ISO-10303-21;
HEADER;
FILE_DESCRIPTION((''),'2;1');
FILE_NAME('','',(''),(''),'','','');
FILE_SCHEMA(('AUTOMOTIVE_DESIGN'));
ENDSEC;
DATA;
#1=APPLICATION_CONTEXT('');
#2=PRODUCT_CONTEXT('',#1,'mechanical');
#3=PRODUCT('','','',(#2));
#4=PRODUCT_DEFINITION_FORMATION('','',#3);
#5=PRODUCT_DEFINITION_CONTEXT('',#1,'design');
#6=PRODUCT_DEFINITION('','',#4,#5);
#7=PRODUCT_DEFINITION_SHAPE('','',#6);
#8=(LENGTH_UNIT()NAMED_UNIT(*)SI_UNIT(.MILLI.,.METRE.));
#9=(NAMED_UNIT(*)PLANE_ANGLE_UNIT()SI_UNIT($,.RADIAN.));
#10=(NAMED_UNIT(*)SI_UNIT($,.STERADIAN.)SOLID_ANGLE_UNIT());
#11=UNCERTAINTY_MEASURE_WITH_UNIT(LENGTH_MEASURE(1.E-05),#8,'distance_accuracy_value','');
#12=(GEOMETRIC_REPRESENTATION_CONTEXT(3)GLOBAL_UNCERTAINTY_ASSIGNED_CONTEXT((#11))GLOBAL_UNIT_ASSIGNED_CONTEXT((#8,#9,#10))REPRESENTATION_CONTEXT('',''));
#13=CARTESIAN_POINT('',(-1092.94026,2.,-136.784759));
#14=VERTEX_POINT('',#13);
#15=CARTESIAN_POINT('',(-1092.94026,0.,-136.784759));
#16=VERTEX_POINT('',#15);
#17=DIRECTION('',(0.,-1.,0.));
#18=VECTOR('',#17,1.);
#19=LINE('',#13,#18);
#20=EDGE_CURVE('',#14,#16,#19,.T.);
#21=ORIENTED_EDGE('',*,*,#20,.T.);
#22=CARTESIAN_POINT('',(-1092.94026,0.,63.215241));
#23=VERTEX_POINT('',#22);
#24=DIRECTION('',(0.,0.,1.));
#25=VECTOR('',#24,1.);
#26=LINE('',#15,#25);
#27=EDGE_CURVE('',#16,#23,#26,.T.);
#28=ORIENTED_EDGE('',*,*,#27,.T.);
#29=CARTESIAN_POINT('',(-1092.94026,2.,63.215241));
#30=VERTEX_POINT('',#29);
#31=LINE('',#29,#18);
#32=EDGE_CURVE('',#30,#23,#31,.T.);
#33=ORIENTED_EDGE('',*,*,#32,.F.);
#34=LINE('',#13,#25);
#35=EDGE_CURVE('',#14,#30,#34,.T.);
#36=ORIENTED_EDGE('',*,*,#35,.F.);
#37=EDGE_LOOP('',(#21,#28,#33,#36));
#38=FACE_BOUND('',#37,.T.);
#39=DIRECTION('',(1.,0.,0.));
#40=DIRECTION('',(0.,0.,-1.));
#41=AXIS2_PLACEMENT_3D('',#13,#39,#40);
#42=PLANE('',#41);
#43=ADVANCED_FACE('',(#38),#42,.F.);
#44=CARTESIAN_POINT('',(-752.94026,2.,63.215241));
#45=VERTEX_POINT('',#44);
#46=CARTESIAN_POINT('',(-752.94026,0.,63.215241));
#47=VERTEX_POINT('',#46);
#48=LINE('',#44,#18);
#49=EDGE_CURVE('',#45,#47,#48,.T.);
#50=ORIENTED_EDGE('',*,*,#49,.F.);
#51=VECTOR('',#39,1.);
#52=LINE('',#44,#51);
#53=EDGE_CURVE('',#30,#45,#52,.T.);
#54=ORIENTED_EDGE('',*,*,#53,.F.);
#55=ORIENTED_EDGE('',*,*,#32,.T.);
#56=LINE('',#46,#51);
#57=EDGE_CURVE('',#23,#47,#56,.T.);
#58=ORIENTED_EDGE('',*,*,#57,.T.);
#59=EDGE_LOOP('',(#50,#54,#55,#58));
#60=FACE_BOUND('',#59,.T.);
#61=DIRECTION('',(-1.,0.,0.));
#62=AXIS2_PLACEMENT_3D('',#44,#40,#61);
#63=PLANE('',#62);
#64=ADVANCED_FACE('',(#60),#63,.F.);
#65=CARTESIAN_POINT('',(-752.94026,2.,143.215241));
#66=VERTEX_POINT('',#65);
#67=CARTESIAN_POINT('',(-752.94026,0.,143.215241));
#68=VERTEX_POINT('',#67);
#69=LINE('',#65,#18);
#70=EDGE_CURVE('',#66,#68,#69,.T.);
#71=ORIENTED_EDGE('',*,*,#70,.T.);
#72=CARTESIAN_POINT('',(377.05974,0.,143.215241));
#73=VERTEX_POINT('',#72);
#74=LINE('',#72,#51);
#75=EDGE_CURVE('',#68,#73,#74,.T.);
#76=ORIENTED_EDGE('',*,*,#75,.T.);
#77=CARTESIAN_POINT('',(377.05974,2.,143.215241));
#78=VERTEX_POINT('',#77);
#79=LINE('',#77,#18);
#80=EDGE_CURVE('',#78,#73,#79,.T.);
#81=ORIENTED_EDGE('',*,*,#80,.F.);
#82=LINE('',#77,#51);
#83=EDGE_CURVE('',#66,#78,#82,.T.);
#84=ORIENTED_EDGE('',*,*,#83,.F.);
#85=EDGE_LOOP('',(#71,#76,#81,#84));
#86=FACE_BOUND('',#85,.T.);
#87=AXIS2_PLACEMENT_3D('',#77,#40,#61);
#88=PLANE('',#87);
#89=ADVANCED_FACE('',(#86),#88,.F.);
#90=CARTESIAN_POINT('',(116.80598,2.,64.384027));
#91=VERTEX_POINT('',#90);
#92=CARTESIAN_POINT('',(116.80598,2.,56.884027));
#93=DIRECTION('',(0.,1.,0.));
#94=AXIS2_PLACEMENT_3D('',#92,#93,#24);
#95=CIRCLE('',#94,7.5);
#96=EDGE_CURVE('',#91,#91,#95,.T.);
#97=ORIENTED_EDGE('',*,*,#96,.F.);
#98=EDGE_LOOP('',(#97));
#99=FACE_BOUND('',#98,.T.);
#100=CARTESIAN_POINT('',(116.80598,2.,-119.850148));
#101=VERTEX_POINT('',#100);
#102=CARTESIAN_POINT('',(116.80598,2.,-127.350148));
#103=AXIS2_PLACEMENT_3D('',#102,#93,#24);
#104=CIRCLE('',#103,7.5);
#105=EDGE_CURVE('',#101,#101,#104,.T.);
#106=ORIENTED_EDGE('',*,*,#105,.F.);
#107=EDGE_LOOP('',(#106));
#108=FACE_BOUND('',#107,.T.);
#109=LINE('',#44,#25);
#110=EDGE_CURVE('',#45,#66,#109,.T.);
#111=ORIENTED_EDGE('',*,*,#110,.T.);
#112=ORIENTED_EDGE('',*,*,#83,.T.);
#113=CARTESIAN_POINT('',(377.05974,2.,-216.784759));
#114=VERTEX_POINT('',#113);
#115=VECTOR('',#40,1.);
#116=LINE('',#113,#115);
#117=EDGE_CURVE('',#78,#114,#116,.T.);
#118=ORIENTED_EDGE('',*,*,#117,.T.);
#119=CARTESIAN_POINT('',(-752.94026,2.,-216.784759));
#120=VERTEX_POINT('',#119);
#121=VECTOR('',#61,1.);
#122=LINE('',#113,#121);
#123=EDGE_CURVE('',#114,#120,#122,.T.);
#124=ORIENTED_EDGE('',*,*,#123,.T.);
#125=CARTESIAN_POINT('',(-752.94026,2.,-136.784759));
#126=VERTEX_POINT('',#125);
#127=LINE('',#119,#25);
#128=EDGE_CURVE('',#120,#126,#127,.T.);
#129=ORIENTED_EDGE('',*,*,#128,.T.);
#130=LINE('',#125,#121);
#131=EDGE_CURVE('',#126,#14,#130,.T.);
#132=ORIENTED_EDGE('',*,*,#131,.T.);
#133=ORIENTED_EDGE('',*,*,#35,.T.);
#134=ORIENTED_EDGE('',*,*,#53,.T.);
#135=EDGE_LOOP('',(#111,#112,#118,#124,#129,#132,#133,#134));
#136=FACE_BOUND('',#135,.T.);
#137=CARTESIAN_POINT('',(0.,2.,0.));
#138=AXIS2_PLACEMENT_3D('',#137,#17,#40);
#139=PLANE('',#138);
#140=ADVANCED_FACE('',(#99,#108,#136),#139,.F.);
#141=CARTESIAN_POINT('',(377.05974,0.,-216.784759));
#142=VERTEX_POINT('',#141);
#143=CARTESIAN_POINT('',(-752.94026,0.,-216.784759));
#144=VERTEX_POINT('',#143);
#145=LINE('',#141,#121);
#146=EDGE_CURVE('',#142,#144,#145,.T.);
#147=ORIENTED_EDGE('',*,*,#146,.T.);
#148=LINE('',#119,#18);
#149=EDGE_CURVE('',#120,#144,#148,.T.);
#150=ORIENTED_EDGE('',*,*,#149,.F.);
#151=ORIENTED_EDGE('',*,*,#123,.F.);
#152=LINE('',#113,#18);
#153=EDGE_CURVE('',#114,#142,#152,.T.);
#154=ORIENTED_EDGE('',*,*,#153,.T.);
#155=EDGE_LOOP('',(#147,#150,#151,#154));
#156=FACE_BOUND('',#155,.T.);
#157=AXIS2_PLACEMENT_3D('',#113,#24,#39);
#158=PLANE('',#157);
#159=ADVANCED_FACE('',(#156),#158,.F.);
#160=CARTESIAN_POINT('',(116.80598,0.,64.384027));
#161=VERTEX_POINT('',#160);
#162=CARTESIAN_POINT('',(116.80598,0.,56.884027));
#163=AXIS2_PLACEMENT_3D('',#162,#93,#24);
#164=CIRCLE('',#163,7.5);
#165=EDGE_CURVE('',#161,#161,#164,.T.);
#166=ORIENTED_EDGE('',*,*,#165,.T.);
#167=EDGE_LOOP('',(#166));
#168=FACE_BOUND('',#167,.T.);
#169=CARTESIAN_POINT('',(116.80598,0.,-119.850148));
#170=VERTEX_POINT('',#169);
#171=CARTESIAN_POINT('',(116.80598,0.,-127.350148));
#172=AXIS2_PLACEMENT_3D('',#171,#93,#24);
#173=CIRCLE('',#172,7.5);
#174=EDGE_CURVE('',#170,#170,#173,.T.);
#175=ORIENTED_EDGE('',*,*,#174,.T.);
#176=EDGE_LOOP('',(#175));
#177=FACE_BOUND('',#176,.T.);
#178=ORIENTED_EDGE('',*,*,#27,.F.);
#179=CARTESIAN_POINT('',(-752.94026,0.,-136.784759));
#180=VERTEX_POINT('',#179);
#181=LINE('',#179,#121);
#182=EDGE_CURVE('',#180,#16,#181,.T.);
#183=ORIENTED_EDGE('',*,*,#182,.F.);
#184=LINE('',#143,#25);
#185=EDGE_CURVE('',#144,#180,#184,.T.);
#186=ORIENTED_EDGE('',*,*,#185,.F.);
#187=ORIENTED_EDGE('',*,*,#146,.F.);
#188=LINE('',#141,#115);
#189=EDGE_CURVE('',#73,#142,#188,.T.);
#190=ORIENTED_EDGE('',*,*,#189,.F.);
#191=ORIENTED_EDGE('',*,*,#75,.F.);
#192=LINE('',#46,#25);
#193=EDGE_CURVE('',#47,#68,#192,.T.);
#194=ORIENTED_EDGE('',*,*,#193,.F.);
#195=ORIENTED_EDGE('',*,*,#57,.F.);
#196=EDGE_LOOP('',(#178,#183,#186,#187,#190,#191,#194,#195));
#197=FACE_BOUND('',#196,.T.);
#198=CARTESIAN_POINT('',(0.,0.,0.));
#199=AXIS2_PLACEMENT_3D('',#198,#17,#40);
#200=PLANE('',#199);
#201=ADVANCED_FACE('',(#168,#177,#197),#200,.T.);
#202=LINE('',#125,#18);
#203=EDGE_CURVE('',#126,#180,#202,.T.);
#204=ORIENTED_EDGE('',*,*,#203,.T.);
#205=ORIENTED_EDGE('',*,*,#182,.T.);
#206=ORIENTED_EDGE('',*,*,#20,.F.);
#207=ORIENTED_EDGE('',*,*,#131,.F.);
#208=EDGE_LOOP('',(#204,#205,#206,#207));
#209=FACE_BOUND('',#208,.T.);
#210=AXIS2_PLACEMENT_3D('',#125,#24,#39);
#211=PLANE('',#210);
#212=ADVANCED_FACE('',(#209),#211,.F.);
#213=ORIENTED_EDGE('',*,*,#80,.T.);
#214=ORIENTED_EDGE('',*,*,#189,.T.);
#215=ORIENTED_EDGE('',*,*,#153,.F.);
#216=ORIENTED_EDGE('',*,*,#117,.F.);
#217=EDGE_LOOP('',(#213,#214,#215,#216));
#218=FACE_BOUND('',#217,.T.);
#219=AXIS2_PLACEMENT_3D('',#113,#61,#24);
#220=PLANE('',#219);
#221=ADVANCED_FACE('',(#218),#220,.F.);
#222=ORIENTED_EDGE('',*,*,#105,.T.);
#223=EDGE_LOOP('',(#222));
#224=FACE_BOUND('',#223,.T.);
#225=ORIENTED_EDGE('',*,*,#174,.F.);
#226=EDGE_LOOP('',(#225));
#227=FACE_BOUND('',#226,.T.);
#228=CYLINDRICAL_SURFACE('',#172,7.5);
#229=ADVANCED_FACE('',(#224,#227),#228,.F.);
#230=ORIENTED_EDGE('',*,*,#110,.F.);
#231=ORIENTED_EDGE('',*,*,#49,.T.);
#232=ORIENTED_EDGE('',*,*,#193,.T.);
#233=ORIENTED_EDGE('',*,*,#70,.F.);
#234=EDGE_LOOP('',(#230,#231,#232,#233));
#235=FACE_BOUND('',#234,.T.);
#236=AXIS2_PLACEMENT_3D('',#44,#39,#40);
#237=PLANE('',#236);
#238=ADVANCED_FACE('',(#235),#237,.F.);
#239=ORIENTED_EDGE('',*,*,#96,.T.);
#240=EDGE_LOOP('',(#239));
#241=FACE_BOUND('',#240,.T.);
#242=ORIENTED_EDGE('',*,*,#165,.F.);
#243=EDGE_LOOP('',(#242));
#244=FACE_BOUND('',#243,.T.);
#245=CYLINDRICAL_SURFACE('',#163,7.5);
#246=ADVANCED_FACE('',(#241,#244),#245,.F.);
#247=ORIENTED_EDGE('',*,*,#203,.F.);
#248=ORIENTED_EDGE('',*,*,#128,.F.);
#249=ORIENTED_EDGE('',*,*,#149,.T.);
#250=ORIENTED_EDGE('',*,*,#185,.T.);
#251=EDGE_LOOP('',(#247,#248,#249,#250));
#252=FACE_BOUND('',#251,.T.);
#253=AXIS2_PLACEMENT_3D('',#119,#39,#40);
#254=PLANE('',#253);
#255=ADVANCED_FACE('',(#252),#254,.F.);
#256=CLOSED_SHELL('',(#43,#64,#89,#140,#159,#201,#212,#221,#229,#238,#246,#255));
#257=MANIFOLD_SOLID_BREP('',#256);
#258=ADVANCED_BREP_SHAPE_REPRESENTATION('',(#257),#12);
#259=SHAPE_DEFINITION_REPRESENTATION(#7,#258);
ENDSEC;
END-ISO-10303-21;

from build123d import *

# Parameters (mm, degrees)
BOSS_EXTRUDE1_DEPTH = 2
SKETCH2_R           = 7.5
CUT_EXTRUDE1_DEPTH  = 2


with BuildPart() as part:
    # Sketch1 → Boss-Extrude1 (new body)
    with BuildSketch(Plane(origin=(0, 0, 0), x_dir=(1, 0, 0), z_dir=(0, 1, 0))):
        Polygon((-752.940260226, -63.215240642), (-752.940260226, -143.215240642), (377.059739774, -143.215240642), (377.059739774, 216.784759358), (-752.940260226, 216.784759358), (-752.940260226, 136.784759358), (-1092.940260226, 136.784759358), (-1092.940260226, -63.215240642), align=None)
    extrude(amount=BOSS_EXTRUDE1_DEPTH)

    # Sketch2 → Cut-Extrude1 (cut)
    with BuildSketch(Plane(origin=(0, 2, 0), x_dir=(1, 0, 0), z_dir=(0, 1, 0))):
        with Locations((116.805980262, 127.350148458)):
            Circle(SKETCH2_R)
        with Locations((116.805980262, -56.884027166)):
            Circle(SKETCH2_R)
    extrude(amount=-CUT_EXTRUDE1_DEPTH, mode=Mode.SUBTRACT)


solid = part.part
